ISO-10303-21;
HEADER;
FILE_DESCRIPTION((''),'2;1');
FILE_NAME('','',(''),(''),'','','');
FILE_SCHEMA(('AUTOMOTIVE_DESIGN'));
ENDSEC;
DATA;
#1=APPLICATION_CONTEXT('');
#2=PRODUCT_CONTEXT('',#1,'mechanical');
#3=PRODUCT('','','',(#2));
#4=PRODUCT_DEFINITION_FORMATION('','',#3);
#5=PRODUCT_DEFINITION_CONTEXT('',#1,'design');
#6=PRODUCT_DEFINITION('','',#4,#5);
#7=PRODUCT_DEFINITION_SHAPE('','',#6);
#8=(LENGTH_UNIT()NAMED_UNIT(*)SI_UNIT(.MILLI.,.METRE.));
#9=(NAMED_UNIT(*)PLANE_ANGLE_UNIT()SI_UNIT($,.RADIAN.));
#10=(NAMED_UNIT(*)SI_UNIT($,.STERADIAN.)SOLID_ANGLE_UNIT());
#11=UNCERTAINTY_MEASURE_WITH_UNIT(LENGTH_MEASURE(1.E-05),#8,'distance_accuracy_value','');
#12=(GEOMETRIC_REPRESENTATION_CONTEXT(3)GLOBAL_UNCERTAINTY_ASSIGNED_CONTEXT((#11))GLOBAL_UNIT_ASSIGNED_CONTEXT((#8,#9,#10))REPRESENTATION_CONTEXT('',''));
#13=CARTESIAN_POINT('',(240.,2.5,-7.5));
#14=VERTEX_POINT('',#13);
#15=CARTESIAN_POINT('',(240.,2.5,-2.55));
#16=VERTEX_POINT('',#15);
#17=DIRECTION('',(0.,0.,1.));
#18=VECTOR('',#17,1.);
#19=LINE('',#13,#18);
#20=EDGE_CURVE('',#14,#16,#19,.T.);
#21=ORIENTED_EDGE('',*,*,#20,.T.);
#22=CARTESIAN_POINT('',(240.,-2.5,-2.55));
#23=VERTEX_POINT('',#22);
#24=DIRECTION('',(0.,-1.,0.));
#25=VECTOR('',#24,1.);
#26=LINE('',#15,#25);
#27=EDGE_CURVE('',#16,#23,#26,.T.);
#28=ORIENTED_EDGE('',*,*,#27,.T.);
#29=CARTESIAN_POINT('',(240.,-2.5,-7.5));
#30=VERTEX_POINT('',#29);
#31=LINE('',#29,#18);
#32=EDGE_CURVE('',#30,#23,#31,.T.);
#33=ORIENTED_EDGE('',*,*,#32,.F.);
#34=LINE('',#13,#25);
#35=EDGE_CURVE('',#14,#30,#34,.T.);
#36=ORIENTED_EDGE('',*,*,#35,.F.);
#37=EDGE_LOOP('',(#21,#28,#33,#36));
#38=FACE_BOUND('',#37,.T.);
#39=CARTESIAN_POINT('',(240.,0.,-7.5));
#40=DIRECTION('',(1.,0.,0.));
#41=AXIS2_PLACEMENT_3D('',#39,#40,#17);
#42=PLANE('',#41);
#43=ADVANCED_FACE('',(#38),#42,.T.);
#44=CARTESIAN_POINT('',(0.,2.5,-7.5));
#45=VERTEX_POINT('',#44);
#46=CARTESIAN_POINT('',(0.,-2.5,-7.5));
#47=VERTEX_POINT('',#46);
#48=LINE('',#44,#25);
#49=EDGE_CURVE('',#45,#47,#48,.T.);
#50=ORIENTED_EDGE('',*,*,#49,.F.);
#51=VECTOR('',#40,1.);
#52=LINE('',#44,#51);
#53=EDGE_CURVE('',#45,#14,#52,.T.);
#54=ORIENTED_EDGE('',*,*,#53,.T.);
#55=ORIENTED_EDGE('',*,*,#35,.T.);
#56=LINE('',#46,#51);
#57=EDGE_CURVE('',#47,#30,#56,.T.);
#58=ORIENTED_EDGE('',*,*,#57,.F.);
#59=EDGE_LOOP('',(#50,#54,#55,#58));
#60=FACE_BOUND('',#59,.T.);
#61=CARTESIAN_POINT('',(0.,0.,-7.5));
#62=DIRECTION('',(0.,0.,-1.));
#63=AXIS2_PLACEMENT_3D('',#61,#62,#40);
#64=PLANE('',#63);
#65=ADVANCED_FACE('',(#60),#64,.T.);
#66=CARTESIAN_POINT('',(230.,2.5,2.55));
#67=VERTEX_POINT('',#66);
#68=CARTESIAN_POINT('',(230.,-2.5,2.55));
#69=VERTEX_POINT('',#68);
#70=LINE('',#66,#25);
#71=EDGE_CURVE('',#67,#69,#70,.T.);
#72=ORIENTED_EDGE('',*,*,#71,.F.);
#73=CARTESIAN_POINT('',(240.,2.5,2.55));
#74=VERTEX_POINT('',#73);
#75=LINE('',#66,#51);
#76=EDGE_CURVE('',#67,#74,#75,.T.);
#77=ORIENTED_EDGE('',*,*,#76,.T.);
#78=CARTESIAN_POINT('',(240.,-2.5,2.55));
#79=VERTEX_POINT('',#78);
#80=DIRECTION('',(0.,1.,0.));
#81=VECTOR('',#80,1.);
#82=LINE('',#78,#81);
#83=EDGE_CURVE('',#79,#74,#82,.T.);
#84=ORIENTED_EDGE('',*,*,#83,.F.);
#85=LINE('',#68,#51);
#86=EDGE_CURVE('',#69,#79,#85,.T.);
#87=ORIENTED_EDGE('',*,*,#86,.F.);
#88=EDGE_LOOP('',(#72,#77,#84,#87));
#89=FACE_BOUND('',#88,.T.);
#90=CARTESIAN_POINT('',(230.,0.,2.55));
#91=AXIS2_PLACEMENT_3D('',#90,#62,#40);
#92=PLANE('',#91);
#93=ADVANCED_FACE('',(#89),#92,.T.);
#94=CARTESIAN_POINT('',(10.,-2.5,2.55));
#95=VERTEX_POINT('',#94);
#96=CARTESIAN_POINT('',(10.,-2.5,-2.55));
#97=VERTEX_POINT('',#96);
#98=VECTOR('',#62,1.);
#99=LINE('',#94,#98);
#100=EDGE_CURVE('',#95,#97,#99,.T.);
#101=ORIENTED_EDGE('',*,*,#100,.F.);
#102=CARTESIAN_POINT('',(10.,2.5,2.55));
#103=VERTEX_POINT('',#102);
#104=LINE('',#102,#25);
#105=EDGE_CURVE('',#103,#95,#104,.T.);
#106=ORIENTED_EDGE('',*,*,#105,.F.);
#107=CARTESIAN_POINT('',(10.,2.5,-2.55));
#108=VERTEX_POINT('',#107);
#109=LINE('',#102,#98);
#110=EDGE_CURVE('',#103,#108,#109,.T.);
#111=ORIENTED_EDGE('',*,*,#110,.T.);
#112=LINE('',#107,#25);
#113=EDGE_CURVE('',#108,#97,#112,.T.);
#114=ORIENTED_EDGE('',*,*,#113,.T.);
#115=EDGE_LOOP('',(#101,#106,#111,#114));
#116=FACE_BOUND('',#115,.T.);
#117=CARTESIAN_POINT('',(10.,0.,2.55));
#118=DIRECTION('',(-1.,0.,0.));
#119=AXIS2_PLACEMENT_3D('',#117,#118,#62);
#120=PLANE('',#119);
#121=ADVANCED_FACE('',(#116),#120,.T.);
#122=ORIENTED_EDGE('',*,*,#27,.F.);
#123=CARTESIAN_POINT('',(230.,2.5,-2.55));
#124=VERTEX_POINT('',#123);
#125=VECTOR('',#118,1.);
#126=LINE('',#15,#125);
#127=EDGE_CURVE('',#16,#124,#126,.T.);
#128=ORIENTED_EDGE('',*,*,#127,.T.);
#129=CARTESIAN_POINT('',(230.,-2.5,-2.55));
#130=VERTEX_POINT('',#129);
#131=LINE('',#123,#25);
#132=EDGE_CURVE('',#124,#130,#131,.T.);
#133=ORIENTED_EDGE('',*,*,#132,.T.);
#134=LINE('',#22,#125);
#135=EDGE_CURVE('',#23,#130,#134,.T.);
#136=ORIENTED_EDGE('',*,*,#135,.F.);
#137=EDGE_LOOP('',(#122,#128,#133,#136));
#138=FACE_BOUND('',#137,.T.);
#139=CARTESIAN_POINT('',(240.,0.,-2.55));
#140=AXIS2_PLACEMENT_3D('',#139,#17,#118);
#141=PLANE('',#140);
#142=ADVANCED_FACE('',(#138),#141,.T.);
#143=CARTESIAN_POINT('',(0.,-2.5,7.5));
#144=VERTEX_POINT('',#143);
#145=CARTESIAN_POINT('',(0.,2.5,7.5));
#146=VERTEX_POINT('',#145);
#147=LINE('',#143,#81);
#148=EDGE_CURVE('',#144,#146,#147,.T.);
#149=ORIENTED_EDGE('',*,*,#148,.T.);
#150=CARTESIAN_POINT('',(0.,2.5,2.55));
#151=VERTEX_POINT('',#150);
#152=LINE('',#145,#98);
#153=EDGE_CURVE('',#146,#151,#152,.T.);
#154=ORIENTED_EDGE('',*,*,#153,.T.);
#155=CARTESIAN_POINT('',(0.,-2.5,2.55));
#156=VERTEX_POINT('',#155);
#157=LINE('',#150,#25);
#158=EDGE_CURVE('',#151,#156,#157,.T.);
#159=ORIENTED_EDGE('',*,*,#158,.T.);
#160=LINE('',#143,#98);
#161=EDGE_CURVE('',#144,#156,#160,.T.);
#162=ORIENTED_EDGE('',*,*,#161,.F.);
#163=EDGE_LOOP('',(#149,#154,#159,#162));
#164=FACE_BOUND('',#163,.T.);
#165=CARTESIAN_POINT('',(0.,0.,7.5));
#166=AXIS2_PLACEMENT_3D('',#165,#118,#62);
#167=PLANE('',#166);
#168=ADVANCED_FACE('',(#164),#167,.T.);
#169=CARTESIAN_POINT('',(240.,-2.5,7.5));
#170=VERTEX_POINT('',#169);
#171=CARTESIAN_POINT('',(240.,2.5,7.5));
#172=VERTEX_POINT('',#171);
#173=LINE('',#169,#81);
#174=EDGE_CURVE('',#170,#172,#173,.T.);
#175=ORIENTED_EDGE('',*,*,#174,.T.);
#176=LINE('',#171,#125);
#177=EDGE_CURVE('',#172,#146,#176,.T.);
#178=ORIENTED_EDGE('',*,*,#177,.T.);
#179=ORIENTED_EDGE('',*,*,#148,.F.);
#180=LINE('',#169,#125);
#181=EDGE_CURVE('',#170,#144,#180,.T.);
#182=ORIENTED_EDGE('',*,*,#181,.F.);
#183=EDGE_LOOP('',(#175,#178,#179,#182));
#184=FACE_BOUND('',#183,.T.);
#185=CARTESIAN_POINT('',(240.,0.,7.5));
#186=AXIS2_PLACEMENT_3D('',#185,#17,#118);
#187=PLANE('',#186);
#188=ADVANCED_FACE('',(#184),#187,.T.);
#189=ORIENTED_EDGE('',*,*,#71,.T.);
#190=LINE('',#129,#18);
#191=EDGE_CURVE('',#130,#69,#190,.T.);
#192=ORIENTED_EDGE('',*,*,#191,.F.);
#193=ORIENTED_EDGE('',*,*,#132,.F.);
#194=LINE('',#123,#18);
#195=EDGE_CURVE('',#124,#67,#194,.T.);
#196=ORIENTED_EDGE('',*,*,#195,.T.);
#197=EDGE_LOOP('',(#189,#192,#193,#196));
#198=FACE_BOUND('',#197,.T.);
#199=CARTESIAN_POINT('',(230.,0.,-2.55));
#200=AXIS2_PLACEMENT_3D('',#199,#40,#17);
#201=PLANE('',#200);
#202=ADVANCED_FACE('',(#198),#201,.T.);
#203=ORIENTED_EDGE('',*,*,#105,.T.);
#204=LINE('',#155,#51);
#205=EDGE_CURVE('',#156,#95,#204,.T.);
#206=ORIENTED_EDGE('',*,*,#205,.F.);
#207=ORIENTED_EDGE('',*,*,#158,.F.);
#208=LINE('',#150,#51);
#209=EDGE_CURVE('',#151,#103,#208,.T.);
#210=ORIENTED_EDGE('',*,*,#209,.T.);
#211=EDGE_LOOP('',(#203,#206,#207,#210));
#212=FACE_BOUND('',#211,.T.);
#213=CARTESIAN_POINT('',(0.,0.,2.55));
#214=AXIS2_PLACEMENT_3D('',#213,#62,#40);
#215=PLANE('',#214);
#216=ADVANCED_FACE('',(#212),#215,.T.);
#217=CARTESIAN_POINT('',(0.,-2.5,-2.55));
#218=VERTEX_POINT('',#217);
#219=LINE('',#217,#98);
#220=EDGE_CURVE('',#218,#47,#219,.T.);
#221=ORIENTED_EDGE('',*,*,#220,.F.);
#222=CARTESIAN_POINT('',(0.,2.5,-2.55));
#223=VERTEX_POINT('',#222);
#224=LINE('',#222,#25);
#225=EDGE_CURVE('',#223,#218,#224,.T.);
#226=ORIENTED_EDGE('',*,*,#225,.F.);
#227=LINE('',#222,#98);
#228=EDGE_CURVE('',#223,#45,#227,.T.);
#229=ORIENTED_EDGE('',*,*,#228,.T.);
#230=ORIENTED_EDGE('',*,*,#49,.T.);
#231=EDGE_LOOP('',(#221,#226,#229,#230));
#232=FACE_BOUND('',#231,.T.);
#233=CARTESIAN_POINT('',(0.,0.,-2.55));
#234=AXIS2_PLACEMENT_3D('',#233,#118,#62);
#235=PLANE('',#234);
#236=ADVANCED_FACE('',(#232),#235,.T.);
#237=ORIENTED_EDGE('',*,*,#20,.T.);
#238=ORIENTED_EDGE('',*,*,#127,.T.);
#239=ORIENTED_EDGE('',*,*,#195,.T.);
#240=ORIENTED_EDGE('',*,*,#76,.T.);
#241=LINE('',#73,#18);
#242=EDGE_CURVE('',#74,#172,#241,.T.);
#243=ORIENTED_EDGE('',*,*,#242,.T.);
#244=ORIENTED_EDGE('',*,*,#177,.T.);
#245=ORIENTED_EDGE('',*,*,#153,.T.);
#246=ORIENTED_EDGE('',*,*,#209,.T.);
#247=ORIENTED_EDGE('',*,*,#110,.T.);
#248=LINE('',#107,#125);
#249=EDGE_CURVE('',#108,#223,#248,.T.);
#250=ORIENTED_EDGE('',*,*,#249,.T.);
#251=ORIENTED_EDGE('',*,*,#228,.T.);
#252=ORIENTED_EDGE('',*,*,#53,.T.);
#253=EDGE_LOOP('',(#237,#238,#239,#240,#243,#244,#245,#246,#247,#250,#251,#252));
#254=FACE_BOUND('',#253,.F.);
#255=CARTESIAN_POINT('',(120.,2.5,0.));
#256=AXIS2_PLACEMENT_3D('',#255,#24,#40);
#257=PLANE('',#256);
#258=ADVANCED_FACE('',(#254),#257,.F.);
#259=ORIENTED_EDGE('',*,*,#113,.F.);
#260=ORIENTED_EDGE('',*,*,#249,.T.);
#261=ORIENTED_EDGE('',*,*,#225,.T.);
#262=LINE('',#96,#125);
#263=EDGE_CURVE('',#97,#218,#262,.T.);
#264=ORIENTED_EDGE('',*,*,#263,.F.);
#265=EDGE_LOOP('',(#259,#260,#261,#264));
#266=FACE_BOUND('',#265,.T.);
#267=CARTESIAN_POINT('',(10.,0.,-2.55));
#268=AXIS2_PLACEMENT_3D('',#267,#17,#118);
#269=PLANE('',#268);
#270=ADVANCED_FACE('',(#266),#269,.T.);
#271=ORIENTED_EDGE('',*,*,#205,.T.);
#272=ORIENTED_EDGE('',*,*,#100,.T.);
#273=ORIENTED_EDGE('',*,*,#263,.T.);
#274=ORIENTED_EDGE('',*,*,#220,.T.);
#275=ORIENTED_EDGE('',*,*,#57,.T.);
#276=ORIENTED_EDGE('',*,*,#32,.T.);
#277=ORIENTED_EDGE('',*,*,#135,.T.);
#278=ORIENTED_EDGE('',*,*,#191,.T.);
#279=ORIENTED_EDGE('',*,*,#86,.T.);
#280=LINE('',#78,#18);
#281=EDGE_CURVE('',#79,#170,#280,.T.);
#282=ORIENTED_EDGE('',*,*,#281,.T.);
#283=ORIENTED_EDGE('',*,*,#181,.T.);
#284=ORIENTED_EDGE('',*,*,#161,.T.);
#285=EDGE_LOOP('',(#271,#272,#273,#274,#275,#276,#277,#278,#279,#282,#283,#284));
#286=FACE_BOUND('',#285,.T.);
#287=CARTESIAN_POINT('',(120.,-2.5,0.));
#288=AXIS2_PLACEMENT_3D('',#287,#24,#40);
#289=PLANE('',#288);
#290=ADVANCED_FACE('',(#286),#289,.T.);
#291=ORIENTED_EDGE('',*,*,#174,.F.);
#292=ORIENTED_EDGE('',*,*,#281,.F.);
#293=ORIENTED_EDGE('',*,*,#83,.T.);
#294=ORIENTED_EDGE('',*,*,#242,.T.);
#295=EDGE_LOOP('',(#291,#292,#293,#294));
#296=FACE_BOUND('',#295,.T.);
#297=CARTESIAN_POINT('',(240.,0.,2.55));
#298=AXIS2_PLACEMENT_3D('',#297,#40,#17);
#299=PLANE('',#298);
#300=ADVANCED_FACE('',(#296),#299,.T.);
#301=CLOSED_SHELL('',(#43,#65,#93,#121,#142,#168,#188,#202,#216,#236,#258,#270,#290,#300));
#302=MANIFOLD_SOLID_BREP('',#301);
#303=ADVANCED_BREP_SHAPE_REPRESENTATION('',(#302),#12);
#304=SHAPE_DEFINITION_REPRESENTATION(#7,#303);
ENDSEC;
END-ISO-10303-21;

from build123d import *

# Parameters (mm, degrees)
PAD_DEPTH = 2.5


with BuildPart() as part:
    # Sketch → Pad (new body, symmetric)
    with BuildSketch(Plane.XZ):
        Polygon((0, 7.5), (0, 2.55), (10, 2.55), (10, -2.55), (0, -2.55), (0, -7.5), (240, -7.5), (240, -2.55), (230, -2.55), (230, 2.55), (240, 2.55), (240, 7.5), align=None)
    extrude(amount=PAD_DEPTH, both=True)


solid = part.part
